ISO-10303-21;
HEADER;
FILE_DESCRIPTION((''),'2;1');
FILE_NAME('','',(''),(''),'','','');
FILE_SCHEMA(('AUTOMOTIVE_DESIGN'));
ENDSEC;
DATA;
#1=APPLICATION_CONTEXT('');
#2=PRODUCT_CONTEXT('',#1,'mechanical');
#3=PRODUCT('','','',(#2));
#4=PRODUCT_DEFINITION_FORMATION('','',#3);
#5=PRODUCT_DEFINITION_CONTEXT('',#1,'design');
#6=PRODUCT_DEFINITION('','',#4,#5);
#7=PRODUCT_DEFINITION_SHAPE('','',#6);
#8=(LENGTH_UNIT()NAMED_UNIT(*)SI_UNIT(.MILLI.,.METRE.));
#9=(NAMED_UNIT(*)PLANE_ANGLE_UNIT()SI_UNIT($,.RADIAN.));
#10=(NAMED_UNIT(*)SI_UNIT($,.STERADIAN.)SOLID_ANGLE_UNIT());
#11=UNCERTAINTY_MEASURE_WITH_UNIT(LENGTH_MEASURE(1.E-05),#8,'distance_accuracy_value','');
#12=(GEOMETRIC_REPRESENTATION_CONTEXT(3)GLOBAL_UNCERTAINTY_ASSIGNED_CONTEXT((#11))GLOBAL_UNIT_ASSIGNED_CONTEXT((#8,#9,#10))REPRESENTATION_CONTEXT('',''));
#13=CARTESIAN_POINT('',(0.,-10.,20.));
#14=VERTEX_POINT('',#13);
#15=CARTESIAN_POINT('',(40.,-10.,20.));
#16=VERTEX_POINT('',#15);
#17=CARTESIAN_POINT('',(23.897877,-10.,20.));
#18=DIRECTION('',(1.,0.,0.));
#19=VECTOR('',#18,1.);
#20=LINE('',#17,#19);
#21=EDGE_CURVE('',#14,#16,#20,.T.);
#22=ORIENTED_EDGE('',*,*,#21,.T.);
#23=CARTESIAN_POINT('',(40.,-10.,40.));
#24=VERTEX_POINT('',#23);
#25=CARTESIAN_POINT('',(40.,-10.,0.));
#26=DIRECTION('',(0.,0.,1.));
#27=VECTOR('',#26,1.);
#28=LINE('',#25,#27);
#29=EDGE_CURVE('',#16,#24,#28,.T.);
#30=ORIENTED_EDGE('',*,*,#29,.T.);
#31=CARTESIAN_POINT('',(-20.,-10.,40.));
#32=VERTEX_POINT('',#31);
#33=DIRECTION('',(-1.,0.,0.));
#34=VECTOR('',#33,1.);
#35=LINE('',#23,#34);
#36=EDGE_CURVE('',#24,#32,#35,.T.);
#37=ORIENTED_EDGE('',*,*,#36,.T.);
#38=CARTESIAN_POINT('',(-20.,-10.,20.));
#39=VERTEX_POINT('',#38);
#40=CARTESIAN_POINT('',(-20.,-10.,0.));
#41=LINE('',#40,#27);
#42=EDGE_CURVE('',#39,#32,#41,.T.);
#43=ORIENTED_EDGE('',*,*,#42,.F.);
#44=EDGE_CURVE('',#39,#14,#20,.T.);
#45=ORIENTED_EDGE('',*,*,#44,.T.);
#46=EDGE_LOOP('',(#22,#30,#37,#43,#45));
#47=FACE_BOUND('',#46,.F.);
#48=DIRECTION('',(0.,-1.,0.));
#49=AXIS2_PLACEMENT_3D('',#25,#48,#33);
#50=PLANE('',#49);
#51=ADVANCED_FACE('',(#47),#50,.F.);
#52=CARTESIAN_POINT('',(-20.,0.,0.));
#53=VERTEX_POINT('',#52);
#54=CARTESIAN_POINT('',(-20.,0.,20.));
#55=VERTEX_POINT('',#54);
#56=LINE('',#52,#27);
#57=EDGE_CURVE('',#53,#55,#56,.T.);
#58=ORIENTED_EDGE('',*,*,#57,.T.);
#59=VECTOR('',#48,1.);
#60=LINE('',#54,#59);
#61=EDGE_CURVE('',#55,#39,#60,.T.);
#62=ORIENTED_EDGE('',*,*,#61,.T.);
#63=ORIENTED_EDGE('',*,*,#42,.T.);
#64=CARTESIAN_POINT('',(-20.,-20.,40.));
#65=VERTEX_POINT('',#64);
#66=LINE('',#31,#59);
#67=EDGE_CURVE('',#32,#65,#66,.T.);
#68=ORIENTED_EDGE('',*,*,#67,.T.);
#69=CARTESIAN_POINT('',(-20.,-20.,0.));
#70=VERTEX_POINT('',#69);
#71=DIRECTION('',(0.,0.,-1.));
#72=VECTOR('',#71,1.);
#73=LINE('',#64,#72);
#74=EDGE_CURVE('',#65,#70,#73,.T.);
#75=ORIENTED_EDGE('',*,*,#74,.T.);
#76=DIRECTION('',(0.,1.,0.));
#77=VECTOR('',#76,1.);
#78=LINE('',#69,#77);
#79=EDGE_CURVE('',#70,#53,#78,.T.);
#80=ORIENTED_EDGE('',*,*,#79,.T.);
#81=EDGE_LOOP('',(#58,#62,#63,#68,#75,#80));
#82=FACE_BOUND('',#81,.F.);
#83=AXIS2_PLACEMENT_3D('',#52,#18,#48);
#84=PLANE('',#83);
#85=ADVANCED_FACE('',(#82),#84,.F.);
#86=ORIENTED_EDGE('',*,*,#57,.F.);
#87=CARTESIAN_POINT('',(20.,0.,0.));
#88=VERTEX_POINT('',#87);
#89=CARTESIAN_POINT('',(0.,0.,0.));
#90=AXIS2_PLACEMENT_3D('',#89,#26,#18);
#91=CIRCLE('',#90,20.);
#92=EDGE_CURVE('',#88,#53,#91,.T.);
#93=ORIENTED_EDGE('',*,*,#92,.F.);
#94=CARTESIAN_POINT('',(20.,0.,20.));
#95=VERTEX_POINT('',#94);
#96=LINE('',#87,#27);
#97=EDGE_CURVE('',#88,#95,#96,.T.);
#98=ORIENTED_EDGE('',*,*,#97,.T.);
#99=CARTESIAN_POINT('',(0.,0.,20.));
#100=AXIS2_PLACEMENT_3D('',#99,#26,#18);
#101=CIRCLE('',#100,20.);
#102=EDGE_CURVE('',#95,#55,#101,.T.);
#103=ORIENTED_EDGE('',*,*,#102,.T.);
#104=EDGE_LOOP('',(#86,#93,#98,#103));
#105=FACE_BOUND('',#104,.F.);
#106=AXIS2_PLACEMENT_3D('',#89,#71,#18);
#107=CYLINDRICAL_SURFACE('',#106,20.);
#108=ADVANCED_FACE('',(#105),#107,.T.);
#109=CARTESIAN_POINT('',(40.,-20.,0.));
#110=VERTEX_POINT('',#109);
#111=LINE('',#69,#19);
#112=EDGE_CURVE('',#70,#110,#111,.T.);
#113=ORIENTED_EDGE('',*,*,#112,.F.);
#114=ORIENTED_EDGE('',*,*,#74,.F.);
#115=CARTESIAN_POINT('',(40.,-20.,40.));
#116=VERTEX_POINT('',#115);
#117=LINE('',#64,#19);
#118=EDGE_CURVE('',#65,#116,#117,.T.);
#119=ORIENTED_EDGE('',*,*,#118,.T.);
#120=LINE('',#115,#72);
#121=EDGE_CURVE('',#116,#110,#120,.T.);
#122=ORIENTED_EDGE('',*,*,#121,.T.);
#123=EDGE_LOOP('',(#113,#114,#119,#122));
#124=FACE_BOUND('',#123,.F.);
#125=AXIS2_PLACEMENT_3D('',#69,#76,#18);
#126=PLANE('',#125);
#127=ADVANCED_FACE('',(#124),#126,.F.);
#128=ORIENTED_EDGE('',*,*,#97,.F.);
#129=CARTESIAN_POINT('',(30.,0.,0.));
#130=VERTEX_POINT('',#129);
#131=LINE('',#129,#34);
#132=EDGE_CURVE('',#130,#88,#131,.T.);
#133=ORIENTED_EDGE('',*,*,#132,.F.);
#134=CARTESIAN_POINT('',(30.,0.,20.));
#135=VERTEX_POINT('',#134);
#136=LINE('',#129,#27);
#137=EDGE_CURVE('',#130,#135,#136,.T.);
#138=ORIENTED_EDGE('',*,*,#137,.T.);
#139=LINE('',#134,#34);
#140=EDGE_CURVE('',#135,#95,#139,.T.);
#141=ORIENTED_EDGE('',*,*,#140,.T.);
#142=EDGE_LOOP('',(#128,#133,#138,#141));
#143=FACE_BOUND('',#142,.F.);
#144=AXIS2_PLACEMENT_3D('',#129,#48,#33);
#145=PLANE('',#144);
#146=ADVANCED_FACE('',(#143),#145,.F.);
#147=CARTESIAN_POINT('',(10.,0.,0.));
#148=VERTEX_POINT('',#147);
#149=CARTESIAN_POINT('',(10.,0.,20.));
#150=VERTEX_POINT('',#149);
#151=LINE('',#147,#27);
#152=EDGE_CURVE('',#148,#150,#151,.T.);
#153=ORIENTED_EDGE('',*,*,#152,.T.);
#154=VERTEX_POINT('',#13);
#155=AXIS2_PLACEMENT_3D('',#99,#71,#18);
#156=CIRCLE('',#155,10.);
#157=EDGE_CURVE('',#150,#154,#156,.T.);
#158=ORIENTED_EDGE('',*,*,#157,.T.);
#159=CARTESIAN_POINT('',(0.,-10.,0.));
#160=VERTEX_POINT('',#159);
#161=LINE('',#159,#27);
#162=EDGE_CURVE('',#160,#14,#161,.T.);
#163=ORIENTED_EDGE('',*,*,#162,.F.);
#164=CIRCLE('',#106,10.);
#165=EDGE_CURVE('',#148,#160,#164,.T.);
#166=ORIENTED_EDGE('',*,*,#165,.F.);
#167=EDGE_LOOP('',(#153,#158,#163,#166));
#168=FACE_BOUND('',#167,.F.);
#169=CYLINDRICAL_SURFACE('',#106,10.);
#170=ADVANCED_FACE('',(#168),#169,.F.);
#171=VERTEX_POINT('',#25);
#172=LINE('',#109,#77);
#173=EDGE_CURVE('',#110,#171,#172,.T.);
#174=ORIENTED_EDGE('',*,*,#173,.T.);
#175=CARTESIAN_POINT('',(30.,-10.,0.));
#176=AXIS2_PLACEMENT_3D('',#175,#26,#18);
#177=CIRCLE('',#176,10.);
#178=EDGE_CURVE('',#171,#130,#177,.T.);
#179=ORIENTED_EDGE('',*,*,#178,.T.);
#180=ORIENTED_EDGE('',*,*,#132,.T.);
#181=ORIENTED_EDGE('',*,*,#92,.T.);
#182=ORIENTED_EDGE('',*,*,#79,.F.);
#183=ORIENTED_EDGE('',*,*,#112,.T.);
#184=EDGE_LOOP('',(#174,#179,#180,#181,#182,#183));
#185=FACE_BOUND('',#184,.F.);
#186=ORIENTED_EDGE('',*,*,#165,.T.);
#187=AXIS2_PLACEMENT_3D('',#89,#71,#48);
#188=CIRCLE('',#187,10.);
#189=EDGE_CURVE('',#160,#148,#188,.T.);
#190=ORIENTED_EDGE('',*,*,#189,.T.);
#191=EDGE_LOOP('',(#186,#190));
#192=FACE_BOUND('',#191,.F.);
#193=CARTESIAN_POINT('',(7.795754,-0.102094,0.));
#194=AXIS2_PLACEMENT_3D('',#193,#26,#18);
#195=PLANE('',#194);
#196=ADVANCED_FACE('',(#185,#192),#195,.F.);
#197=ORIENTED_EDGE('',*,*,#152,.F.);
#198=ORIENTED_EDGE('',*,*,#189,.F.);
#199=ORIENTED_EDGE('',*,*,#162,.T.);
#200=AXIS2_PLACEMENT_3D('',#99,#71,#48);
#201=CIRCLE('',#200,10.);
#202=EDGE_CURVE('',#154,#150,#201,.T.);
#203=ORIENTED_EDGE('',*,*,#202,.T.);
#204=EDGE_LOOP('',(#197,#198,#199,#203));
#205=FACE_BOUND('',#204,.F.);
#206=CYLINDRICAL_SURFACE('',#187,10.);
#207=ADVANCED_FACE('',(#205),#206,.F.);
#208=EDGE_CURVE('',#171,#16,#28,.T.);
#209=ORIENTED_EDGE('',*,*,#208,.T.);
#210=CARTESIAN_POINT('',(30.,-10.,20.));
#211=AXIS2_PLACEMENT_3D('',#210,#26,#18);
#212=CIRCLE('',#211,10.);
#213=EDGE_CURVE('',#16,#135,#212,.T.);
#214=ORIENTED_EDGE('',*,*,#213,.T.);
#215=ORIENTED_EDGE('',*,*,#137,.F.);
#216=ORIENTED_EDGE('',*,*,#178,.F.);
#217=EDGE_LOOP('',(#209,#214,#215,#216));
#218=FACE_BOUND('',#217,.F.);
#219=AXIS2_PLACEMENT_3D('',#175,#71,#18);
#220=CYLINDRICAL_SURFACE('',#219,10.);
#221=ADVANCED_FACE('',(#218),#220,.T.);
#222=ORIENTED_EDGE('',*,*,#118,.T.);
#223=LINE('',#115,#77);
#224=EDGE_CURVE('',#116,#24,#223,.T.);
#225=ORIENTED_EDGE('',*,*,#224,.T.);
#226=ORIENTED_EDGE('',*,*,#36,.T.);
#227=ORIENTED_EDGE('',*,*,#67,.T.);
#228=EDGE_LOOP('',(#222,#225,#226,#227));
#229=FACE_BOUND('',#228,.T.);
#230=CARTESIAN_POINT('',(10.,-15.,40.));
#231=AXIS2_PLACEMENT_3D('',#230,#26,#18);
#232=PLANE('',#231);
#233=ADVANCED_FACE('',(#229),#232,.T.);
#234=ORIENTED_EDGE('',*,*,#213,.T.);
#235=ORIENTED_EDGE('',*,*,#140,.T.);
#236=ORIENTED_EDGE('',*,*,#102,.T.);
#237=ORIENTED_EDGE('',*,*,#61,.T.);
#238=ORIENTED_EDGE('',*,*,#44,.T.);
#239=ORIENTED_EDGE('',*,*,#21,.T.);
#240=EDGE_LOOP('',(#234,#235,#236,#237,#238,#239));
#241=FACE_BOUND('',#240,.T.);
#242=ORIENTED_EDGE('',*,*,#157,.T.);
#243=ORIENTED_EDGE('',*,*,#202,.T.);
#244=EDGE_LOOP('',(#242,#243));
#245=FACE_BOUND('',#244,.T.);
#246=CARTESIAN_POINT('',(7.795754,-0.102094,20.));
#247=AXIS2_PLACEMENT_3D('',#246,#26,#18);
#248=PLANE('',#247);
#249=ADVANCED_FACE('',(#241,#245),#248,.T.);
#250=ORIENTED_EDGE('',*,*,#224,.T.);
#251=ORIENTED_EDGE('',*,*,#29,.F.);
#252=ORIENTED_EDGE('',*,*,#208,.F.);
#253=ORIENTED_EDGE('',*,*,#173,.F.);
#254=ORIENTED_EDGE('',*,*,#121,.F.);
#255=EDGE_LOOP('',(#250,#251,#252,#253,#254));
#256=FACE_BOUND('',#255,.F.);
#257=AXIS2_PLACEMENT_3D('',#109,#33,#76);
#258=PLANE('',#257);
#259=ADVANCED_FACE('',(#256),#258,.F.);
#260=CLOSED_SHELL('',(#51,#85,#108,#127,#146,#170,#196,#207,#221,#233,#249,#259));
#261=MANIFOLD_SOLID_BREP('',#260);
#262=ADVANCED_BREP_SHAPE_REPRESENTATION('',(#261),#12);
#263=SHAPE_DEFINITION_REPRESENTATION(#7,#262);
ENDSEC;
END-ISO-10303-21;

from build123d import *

# Parameters (mm, degrees)
F1_DEPTH = 20
F2_DEPTH = 40


with BuildPart() as f1:
    # F0 (on Top) → F1 (new body)
    with BuildSketch(Plane.XY):
        with BuildLine():
            Line((-20, 0), (-20, -10))
            Line((-20, -10), (0, -10))
            Line((0, -10), (40, -10))
            ThreePointArc((40, -10), (37.0710678119, -2.9289321881), (30, 0))
            Line((30, 0), (20, 0))
            ThreePointArc((20, 0), (0, 20), (-20, 0))
        make_face()
        with BuildLine():
            ThreePointArc((10, 0), (7.0710678119, -7.0710678119), (0, -10))
            ThreePointArc((0, -10), (-7.0710678119, 7.0710678119), (10, 0))
        make_face(mode=Mode.SUBTRACT)
        Polygon((-20, -10), (-20, -20), (40, -20), (40, -10), (0, -10), align=None)
    extrude(amount=F1_DEPTH)

    # F0 (on Top) → F2 (join)
    with BuildSketch(Plane.XY):
        Polygon((-20, -10), (-20, -20), (40, -20), (40, -10), (0, -10), align=None)
    extrude(amount=F2_DEPTH)


solid = f1.part
